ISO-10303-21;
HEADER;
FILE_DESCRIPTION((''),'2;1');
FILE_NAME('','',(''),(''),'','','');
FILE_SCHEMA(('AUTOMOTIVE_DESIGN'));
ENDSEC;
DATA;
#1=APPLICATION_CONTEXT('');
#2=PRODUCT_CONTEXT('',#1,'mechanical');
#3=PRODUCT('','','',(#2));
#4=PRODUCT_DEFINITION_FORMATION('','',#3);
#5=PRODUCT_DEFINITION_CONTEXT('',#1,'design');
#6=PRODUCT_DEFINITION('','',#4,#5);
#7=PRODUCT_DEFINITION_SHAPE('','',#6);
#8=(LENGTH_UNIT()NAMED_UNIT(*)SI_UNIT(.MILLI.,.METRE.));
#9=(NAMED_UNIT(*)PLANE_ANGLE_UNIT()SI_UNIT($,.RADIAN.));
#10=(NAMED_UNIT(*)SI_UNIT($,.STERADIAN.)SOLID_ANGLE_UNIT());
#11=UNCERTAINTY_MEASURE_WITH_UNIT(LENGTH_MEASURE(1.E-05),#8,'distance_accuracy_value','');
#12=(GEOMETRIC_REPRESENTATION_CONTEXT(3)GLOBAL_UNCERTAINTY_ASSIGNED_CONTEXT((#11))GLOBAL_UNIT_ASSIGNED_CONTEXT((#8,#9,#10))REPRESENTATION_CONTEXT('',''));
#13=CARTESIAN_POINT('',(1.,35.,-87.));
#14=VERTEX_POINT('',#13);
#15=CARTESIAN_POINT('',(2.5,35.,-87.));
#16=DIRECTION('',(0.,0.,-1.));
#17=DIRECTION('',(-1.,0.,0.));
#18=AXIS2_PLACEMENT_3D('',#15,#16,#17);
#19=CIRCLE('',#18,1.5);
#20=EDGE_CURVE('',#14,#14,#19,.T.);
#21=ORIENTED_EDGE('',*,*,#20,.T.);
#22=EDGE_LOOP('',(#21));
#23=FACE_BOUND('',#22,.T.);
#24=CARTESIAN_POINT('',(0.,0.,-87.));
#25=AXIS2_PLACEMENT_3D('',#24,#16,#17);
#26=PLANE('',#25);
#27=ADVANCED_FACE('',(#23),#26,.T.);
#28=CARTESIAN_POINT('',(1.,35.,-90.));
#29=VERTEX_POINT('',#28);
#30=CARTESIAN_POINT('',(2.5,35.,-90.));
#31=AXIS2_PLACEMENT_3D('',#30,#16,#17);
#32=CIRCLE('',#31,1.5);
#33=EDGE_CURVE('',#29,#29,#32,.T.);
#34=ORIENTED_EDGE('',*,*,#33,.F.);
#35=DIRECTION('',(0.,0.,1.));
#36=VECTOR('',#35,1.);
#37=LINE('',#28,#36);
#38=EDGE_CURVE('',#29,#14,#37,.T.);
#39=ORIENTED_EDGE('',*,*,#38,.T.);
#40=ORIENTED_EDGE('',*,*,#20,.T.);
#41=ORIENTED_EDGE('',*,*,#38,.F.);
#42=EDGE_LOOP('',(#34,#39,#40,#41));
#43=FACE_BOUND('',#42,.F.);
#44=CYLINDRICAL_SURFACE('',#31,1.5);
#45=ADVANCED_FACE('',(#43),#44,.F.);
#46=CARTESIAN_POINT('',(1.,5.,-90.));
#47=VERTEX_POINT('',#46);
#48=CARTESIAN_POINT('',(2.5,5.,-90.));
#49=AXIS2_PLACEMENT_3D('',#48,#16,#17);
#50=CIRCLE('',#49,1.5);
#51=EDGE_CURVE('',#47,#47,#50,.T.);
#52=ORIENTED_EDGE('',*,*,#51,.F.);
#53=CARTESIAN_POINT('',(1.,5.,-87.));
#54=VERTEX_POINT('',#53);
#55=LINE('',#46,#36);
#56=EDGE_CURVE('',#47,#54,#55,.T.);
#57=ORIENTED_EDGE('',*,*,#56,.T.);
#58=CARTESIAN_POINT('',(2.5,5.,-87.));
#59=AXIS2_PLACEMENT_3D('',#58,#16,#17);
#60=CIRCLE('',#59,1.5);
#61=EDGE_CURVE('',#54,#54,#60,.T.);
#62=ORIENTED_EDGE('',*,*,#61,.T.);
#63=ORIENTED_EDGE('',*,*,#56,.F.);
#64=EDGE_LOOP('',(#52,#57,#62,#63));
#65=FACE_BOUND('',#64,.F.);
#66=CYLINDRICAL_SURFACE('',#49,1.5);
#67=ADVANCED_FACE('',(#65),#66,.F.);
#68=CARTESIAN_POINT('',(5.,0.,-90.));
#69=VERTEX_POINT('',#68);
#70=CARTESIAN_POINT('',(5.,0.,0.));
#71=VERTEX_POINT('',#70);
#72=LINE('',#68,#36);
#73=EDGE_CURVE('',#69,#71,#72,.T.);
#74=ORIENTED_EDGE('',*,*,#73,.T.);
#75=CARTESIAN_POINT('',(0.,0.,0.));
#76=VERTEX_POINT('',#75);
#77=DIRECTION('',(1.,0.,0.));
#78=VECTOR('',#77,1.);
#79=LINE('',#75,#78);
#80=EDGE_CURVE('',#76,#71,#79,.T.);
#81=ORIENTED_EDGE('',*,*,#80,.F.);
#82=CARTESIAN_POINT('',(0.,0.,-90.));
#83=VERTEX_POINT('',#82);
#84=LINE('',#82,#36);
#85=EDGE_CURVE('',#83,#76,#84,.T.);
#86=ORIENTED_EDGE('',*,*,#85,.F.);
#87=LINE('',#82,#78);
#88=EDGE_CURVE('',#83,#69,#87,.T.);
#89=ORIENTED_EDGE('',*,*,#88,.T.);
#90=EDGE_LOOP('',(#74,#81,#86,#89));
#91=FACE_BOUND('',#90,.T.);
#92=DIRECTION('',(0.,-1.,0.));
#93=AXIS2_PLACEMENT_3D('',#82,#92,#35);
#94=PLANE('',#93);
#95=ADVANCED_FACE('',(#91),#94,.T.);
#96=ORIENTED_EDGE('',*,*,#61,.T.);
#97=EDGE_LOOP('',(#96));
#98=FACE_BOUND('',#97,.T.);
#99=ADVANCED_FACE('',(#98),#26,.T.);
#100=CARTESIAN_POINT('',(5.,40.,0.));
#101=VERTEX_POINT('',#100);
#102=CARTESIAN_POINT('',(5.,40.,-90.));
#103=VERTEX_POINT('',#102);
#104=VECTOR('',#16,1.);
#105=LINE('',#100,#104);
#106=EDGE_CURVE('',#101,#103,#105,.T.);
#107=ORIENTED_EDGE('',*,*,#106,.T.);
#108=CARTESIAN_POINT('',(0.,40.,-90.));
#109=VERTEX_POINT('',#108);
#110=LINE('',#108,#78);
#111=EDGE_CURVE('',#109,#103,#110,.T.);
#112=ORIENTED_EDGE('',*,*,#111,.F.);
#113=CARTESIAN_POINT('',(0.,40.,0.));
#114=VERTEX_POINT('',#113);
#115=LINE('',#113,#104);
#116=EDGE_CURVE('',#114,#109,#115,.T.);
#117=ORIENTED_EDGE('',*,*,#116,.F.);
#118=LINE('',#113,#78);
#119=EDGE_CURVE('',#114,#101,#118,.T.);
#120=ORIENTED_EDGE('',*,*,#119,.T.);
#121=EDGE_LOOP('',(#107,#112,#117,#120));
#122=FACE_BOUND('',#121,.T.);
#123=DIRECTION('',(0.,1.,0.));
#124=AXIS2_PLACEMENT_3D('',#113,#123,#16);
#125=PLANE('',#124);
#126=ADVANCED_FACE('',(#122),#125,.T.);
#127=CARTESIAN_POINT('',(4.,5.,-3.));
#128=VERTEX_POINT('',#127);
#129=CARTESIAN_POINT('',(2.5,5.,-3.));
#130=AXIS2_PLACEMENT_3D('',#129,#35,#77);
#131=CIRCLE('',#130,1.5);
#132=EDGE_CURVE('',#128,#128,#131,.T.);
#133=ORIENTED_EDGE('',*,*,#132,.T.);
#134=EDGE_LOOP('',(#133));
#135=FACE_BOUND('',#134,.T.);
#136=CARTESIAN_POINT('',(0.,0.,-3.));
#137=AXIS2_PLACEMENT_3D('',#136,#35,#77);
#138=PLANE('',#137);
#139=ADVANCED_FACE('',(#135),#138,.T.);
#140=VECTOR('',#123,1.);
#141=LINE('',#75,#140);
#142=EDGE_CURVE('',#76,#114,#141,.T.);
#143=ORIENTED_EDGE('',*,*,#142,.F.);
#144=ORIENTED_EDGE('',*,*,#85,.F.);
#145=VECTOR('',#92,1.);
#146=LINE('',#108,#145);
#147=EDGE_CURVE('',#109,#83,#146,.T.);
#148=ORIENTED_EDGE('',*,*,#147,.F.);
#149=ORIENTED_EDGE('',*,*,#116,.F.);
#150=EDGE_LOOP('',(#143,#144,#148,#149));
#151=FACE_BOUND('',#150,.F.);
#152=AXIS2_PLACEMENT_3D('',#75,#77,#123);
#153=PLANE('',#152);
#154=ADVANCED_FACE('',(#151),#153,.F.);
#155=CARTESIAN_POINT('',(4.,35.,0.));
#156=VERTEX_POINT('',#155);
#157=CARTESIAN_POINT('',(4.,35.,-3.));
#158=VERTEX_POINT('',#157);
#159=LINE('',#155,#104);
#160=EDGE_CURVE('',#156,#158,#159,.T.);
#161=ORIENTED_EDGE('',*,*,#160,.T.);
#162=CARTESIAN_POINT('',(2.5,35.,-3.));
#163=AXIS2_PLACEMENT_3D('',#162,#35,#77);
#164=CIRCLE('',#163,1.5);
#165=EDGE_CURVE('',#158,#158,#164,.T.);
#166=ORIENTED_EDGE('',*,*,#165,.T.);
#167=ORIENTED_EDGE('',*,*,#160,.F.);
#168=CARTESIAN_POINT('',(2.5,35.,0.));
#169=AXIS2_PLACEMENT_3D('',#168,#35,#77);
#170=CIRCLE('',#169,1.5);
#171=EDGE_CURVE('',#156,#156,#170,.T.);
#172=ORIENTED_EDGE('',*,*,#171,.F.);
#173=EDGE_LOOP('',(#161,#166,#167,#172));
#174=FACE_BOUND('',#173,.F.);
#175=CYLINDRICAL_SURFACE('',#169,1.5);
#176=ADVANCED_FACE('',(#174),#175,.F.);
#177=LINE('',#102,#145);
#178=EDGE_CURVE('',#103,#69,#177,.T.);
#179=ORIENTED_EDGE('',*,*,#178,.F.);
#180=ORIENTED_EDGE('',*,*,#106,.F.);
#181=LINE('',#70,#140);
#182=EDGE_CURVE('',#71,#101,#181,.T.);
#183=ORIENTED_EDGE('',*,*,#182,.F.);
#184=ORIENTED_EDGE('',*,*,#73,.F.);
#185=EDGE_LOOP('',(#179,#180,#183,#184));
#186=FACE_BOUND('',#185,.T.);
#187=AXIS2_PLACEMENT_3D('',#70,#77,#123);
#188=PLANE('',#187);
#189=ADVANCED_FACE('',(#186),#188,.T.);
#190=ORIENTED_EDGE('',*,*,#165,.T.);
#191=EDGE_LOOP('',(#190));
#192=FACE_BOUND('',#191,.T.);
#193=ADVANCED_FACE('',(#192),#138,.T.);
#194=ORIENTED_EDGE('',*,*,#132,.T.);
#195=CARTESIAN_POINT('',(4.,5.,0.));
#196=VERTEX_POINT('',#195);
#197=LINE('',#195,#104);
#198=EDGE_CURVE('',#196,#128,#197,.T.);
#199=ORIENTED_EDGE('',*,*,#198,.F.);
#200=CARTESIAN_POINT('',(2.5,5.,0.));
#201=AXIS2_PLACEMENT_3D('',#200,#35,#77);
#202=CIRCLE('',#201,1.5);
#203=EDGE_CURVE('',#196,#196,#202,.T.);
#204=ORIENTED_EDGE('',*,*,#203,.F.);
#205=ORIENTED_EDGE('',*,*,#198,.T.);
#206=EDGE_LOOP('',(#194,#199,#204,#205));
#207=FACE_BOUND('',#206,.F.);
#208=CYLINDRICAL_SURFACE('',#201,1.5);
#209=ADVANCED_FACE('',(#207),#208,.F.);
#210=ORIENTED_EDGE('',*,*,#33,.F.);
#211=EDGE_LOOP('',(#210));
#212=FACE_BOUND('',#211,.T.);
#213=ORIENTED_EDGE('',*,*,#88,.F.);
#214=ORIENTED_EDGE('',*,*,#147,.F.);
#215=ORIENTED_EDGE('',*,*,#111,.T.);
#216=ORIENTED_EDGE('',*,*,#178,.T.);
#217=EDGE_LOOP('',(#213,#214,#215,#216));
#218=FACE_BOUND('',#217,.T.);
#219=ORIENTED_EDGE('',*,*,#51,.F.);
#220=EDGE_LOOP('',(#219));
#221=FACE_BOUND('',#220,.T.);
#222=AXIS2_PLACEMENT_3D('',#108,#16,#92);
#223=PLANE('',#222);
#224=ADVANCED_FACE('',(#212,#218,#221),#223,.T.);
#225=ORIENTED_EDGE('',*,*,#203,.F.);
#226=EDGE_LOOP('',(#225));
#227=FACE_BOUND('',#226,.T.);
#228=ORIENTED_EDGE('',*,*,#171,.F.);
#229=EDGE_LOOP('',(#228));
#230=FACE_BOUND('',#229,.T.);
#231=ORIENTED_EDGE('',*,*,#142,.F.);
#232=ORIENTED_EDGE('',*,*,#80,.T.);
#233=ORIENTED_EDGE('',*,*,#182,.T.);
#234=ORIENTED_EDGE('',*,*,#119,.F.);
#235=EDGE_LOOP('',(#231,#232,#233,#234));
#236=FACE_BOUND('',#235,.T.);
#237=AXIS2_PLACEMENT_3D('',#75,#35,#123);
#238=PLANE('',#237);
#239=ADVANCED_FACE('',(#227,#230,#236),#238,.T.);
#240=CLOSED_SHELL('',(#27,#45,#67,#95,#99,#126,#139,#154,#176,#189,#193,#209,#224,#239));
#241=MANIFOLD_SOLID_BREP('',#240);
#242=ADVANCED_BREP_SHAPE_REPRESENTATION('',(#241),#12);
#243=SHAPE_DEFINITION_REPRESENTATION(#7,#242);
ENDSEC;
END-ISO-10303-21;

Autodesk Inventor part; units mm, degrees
ref_plane "YZ Plane" through (0, 0, 0) normal (1, 0, 0) x (0, 1, 0)
ref_plane "XZ Plane" through (0, 0, 0) normal (0, 1, 0) x (-1, 0, 0)
ref_plane "XY Plane" through (0, 0, 0) normal (0, 0, 1) x (1, 0, 0)
sketch "Boceto1" plane through (0, 0, 0) normal (1, 0, 0) x (0, 1, 0)
  line L0 (0, 0) -> (40, 0)
  line L1 (40, 0) -> (40, -90)
  line L2 (40, -90) -> (0, -90)
  line L3 (0, -90) -> (0, 0)
  dimension "d0" = 40
  dimension "d1" = 90
extrude "Extrusión1" add sketch "Boceto1" along normal blind 5
sketch "Boceto2" plane through (0, 0, 0) normal (0, 0, 1) x (1, 0, 0)
  circle A0 centre (2.5, 5) radius 1.5
  circle A1 centre (2.5, 35) radius 1.5
  line L0 (0, 40) -> (0, 0) projected
  line L1 (0, 40) -> (5, 40) projected
  line L2 (0, 0) -> (5, 0) projected
  line L3 (5, 40) -> (5, 0) projected
  point P0 (2.5, 0)
  dimension "d4" = 3
  dimension "d5" = 3
  dimension "d6" = 2.5
  dimension "d7" = 5
  dimension "d8" = 5
  dimension "d9" = 2.5
extrude "Extrusión2" cut sketch "Boceto2" against normal blind 3 contours A0 | A1
sketch "Boceto3" plane through (0, 0, -90) normal (0, 0, -1) x (-1, 0, 0)
  circle A0 centre (-2.5, 5) radius 1.5 projected
  circle A1 centre (-2.5, 5) radius 1.5
  circle A2 centre (-2.5, 35) radius 1.5 projected
  circle A3 centre (-2.5, 35) radius 1.5
  point P0 (0, 0)
extrude "Extrusión3" cut sketch "Boceto3" against normal blind 3
properties part number "Frontal"
